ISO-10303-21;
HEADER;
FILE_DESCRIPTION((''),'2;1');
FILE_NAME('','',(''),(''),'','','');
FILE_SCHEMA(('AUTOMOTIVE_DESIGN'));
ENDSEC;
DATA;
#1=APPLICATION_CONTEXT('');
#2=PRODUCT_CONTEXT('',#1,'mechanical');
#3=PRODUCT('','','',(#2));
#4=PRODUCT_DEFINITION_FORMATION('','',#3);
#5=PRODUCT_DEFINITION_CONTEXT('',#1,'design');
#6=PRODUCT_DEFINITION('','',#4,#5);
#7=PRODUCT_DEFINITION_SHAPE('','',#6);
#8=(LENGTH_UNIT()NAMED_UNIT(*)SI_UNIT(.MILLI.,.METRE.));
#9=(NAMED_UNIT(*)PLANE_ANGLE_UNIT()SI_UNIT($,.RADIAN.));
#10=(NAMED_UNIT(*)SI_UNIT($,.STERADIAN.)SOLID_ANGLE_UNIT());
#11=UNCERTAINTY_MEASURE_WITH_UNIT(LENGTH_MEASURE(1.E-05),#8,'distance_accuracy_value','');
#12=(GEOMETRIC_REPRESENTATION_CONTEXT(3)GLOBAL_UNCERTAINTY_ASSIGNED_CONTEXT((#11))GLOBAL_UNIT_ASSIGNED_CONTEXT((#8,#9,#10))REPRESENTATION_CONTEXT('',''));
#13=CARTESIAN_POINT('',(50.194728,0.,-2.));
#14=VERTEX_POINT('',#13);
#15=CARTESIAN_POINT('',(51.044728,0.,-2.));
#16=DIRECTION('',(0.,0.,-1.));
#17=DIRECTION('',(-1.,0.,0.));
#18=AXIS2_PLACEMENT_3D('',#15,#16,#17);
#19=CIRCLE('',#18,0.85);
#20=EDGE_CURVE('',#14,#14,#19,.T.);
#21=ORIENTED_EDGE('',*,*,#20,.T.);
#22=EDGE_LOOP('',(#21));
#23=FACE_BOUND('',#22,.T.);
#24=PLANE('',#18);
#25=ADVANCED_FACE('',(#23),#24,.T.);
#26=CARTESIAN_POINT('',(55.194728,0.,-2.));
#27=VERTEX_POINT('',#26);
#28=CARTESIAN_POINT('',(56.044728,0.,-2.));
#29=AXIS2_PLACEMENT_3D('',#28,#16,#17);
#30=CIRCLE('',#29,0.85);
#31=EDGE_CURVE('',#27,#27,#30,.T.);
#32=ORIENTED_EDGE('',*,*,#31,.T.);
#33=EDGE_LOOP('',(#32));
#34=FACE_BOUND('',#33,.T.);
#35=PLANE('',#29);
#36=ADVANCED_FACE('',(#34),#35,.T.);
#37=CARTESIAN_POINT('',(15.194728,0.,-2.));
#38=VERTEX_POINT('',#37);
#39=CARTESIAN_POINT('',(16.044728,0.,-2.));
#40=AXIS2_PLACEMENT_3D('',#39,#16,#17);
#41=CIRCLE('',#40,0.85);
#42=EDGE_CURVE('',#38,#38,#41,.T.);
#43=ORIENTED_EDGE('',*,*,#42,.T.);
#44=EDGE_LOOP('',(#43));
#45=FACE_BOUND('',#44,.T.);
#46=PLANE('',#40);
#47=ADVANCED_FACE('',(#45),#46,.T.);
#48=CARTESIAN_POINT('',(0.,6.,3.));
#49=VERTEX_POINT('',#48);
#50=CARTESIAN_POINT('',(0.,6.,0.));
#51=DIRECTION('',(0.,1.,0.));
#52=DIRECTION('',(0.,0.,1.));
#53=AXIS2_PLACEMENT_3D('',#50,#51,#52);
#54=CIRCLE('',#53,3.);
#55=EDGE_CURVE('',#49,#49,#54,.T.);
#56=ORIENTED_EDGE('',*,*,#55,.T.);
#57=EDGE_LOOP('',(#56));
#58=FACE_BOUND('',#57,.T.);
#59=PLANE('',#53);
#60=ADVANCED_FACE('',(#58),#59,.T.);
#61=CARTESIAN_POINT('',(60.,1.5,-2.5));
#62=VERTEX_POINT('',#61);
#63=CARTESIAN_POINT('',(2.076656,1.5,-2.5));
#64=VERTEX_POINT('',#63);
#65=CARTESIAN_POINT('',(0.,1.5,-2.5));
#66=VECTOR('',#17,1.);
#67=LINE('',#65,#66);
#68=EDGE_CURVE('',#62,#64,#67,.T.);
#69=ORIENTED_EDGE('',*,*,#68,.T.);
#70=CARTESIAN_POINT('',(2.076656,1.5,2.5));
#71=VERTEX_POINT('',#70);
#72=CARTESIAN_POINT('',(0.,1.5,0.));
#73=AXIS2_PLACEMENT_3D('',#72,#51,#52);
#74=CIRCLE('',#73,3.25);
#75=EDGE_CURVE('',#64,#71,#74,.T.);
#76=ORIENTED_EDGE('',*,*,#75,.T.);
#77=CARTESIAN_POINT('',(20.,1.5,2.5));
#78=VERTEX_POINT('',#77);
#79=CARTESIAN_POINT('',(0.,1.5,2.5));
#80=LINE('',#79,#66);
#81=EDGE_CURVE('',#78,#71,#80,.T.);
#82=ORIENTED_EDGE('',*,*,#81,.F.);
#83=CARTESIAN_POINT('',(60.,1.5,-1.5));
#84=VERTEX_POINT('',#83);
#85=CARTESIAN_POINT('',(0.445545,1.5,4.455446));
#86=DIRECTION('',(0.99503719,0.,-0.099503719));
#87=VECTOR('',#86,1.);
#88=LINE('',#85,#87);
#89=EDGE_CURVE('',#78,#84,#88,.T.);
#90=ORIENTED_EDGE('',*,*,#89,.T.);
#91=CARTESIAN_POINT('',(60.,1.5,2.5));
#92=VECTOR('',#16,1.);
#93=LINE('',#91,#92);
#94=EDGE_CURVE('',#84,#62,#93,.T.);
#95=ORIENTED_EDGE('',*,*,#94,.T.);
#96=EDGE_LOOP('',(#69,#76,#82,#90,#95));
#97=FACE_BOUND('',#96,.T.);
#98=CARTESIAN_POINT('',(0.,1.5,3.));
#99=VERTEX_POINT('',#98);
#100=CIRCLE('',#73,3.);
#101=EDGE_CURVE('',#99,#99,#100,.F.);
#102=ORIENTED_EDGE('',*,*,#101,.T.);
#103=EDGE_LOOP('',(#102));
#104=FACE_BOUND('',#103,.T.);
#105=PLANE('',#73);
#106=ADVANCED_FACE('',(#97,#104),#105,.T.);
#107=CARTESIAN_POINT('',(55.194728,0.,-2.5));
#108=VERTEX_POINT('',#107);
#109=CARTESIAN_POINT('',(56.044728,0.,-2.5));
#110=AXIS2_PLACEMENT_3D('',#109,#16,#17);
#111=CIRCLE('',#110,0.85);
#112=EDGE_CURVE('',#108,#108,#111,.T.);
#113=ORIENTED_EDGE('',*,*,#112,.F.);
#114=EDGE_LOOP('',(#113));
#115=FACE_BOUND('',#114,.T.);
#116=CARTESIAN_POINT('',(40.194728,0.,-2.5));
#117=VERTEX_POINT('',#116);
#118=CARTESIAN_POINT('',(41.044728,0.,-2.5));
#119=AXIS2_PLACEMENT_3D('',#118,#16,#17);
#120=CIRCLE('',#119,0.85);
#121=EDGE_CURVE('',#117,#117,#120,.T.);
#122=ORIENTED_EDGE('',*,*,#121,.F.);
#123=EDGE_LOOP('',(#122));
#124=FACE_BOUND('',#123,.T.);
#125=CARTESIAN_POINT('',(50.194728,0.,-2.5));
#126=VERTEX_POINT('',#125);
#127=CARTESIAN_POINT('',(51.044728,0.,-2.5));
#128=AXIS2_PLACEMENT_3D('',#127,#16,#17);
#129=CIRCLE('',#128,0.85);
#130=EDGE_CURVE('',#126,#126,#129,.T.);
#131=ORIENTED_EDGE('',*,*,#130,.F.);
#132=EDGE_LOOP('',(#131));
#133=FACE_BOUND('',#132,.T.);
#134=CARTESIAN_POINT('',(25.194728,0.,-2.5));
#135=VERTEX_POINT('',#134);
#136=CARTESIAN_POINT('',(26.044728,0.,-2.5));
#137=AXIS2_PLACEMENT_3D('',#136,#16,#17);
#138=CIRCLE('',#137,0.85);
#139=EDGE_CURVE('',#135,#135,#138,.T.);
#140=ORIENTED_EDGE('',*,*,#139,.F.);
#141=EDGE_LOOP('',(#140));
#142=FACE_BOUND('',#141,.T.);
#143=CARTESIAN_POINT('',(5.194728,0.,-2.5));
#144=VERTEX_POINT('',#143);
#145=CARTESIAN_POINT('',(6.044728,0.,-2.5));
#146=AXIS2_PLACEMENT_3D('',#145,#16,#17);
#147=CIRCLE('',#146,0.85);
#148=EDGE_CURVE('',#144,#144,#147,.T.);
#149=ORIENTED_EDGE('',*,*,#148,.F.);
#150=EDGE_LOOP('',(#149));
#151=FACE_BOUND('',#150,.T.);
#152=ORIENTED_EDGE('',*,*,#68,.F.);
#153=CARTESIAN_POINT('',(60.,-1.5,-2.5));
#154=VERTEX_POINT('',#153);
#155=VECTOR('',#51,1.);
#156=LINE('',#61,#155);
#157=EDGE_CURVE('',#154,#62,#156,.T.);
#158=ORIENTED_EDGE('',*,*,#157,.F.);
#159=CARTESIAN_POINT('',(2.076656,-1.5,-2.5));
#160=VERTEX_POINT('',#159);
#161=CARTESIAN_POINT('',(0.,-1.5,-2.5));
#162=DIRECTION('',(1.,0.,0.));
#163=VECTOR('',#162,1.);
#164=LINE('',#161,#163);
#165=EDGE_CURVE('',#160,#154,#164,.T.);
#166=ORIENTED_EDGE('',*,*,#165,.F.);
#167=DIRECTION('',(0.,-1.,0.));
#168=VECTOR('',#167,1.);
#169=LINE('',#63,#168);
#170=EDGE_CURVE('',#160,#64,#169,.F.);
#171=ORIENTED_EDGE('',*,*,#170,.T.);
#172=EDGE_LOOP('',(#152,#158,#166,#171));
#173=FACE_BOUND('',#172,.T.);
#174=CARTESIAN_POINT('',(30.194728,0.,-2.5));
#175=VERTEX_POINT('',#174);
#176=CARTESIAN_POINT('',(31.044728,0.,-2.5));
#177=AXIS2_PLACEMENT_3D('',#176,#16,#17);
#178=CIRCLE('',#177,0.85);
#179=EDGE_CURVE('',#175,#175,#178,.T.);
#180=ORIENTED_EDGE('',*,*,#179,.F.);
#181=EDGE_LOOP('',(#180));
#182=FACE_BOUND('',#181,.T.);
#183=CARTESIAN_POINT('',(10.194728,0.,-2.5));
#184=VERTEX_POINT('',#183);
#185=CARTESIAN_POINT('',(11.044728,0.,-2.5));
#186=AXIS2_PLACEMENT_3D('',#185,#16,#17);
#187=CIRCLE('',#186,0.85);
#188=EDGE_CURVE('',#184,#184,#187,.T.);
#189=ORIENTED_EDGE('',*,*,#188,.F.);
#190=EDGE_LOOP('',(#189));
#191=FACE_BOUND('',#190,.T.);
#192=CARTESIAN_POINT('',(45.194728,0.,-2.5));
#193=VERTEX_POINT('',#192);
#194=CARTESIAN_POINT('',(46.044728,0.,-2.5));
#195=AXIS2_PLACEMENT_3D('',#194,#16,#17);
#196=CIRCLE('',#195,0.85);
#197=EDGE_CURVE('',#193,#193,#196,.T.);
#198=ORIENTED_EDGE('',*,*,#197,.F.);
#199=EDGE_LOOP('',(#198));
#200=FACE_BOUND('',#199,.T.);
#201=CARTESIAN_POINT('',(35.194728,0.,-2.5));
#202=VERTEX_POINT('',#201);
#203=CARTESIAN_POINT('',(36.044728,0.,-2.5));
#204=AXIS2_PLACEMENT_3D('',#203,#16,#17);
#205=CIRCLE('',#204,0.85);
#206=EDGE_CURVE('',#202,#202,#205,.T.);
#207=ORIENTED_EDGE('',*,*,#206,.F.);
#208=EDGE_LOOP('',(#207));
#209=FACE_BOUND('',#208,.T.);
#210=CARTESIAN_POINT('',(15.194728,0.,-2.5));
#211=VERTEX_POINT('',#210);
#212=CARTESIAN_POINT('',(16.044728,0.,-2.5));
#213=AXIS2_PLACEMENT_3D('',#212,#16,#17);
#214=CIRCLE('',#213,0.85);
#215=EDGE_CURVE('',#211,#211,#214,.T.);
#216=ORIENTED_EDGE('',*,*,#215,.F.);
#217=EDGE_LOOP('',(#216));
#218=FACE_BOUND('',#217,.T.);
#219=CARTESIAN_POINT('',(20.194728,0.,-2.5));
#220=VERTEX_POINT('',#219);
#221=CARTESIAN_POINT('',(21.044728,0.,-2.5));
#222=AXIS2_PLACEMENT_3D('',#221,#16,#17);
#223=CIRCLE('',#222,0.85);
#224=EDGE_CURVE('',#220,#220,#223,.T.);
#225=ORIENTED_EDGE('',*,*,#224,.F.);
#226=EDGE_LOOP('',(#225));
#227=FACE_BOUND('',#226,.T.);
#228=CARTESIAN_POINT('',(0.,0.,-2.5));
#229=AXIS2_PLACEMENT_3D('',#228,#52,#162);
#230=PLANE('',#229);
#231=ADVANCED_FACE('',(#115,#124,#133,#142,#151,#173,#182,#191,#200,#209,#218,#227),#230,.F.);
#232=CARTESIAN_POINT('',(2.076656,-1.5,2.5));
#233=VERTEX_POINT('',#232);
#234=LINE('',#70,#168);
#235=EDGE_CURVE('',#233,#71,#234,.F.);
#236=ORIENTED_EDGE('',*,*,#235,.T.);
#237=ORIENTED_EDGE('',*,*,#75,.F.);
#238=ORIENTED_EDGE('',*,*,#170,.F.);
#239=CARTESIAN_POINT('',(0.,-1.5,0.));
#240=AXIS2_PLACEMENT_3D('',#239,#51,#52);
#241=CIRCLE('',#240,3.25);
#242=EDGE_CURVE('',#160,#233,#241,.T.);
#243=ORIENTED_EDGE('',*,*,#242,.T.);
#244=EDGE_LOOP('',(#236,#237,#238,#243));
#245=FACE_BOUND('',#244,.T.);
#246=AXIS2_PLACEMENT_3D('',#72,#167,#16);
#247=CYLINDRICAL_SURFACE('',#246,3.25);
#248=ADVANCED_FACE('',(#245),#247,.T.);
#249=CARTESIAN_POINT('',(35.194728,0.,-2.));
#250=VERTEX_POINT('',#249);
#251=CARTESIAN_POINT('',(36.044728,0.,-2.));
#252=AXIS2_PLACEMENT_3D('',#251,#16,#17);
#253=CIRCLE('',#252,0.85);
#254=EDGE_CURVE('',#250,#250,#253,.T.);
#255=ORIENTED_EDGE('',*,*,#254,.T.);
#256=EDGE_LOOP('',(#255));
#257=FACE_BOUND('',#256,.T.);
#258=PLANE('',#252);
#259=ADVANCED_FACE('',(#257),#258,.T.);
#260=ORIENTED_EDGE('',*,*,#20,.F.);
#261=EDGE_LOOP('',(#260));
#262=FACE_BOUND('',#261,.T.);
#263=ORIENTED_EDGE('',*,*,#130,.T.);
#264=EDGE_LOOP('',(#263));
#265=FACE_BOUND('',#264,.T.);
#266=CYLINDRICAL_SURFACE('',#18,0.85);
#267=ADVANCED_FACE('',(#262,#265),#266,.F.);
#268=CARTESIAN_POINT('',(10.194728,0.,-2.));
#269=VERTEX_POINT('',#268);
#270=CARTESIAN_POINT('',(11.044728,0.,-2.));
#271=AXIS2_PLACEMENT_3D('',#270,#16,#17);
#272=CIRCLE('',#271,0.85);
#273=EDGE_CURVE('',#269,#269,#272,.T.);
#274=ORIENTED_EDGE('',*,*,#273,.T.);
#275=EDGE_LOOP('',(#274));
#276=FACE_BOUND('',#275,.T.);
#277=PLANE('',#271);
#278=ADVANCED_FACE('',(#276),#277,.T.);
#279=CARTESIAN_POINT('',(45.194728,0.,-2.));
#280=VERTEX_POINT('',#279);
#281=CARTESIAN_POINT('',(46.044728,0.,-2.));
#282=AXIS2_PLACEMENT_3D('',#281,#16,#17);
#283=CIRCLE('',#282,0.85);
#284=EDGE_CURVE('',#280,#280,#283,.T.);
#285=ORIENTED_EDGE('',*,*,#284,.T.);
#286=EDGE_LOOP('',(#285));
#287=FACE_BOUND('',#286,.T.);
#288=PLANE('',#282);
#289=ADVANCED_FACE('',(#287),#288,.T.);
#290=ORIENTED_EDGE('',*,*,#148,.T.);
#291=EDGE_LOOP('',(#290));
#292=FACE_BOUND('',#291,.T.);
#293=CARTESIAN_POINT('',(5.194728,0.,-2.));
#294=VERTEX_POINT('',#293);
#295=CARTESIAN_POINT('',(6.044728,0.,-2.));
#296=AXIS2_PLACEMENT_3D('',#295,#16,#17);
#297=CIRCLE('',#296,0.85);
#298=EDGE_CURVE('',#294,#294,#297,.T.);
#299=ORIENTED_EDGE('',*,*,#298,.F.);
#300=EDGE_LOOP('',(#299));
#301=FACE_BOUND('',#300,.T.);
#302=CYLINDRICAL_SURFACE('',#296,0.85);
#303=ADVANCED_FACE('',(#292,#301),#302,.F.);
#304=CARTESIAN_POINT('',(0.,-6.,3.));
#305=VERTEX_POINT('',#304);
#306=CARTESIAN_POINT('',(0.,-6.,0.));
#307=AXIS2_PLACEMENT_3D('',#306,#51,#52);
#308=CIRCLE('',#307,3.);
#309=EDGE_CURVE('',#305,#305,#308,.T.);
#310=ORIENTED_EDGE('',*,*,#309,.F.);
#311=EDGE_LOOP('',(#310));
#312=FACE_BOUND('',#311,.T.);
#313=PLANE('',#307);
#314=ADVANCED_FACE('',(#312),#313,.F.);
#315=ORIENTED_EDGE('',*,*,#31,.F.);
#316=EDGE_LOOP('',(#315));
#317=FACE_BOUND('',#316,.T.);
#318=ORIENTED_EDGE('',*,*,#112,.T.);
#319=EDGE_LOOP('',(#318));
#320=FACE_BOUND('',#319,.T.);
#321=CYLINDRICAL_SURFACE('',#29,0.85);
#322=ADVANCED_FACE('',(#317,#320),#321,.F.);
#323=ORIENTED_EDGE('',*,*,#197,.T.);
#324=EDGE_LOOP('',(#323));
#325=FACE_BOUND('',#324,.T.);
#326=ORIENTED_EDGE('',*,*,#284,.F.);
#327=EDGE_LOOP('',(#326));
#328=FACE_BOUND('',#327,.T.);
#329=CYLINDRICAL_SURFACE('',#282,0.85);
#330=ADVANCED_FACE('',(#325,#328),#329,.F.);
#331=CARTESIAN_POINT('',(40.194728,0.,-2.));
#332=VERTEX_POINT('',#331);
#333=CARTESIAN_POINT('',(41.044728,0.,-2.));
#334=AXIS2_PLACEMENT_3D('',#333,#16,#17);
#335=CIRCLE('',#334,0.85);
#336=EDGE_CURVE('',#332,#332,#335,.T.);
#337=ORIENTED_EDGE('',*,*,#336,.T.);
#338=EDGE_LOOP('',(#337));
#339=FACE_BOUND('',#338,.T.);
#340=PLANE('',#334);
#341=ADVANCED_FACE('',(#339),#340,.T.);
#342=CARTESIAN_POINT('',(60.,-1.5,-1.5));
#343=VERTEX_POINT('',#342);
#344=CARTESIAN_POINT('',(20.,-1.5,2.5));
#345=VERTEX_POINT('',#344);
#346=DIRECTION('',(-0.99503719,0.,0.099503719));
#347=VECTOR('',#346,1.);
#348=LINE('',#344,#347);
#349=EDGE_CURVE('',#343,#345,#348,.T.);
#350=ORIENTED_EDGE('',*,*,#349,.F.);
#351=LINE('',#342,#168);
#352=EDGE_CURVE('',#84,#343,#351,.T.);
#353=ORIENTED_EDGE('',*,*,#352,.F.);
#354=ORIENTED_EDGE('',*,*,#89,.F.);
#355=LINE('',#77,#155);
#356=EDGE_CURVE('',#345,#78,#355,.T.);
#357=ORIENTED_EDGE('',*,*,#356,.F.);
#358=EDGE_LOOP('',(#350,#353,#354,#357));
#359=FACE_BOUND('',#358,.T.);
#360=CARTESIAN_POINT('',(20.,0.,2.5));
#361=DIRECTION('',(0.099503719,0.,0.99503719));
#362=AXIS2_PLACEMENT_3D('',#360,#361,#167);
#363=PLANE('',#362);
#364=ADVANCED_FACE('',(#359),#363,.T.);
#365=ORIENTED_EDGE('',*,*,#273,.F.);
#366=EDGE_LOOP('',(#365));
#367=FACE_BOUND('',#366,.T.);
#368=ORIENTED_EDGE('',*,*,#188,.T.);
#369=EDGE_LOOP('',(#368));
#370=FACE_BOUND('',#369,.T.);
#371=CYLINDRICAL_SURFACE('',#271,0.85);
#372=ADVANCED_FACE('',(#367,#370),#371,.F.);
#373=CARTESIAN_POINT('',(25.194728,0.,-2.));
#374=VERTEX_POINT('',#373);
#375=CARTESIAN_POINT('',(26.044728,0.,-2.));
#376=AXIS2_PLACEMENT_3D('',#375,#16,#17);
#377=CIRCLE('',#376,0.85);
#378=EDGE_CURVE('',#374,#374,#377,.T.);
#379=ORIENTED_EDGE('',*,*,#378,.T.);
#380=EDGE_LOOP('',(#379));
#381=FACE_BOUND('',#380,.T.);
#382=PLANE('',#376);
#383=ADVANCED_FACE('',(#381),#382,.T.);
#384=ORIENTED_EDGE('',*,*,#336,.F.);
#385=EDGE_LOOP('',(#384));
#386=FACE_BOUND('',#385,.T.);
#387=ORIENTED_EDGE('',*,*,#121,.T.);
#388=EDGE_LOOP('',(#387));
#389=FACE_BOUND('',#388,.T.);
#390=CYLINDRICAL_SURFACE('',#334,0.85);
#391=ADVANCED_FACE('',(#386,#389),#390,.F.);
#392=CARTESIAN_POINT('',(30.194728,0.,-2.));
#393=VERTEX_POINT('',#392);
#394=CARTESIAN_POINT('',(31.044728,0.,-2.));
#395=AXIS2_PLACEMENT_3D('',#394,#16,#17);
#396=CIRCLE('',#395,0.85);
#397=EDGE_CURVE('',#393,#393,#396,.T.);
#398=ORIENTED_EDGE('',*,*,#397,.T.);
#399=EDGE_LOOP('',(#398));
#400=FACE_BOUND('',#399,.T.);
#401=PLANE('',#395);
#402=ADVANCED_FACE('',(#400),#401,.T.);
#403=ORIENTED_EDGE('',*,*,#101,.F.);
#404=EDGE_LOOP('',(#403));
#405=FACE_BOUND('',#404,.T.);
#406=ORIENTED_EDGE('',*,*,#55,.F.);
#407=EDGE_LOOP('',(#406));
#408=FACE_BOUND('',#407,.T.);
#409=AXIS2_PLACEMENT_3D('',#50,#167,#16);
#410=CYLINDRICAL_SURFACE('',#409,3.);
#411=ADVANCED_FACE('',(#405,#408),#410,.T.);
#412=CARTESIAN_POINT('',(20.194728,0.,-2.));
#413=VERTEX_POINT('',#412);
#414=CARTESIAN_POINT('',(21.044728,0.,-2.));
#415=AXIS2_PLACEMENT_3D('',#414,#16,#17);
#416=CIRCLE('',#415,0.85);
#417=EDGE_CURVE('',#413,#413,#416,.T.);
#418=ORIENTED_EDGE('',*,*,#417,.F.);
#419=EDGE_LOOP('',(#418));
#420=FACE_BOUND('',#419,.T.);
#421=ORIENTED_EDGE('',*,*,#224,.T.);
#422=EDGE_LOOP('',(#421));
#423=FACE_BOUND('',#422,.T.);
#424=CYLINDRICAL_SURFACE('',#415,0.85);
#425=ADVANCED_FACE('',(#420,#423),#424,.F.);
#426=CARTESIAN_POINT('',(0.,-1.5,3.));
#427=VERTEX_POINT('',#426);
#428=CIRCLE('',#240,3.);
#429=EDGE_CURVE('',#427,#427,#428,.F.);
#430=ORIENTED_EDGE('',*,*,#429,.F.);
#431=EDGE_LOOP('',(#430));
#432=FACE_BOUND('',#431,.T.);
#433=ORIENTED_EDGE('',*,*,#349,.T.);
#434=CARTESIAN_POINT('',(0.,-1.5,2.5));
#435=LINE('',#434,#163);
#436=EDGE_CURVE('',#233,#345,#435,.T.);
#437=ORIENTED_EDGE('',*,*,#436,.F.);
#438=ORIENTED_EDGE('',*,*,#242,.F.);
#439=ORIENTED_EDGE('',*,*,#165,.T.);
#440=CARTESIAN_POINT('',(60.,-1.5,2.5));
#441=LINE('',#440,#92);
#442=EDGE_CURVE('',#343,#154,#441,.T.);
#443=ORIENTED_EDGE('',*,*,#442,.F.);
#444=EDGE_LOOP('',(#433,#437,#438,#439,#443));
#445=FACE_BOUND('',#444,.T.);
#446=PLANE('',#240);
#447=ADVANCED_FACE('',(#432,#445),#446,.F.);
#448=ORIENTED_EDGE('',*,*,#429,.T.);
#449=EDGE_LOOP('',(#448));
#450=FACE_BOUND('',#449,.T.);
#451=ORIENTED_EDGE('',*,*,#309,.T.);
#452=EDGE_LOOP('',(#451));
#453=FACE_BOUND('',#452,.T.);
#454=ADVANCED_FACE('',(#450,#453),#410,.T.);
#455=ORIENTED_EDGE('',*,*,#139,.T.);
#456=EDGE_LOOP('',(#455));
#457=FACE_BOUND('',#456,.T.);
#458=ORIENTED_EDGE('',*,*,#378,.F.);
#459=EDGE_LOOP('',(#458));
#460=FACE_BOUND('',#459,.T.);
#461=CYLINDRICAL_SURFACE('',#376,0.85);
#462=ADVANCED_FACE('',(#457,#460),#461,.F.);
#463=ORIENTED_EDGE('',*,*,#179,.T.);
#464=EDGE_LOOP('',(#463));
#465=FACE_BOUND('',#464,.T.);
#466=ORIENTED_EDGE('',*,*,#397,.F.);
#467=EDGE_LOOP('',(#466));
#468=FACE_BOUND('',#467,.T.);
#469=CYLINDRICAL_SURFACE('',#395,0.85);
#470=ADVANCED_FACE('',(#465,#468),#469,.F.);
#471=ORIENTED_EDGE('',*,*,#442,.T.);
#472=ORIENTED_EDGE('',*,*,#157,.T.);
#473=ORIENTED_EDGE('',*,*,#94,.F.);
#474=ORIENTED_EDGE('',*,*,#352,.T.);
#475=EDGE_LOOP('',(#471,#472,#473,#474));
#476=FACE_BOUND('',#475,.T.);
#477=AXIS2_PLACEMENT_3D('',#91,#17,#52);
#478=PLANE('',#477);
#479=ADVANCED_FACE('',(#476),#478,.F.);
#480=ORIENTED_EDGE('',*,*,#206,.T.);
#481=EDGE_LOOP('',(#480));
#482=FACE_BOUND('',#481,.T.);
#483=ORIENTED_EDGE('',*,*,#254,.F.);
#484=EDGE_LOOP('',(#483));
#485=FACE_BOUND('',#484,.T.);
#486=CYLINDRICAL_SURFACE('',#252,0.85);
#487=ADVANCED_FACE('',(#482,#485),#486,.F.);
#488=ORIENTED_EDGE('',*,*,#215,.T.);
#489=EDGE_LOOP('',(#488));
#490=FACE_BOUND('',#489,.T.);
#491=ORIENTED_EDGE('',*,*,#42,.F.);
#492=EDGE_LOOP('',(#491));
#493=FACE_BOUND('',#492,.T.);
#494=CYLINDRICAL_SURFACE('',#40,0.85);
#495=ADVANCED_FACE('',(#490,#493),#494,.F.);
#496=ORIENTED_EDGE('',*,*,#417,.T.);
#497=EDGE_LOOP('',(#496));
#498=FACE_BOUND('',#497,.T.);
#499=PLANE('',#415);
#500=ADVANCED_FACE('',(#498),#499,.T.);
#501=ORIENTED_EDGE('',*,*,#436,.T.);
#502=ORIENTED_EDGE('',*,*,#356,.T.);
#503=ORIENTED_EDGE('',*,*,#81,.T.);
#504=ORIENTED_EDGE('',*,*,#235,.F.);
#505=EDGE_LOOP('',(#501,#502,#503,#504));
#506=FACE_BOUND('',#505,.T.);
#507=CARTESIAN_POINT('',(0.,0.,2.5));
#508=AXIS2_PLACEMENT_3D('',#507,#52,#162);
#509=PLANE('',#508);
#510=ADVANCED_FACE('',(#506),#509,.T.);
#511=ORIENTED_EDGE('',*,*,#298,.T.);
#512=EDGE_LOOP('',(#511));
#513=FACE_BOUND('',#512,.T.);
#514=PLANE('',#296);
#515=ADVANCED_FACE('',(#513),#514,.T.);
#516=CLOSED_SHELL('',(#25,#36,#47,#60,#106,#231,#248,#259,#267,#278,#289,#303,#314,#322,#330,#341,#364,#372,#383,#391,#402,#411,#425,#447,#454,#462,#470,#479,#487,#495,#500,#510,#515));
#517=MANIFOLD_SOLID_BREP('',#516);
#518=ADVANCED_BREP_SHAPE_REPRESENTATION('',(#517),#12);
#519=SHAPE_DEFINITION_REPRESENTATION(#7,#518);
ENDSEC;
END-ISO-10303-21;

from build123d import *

# Parameters (mm, degrees)
SKETCH1_R           = 3.25
BOSS_EXTRUDE1_DEPTH = 1.5
SKETCH2_R           = 3
BOSS_EXTRUDE2_DEPTH = 6
SKETCH3_W           = 60
SKETCH3_H           = 3
BOSS_EXTRUDE3_DEPTH = 2.5
CHAMFER1_SIZE       = 4
CHAMFER1_SIZE2      = 40
SKETCH4_R           = 0.85
CUT_EXTRUDE1_DEPTH  = 0.5


with BuildPart() as part:
    # Sketch1 → Boss-Extrude1 (new body, symmetric)
    with BuildSketch(Plane(origin=(0, 0, 0), x_dir=(1, 0, 0), z_dir=(0, 1, 0))):
        Circle(SKETCH1_R)
    extrude(amount=BOSS_EXTRUDE1_DEPTH, both=True)

    # Sketch2 → Boss-Extrude2 (add, symmetric)
    with BuildSketch(Plane(origin=(0, 0, 0), x_dir=(1, 0, 0), z_dir=(0, 1, 0))):
        Circle(SKETCH2_R)
    extrude(amount=BOSS_EXTRUDE2_DEPTH, both=True)

    # Sketch3 → Boss-Extrude3 (add, symmetric)
    with BuildSketch(Plane.XY):
        with Locations((30, 0)):
            Rectangle(SKETCH3_W, SKETCH3_H)
    extrude(amount=BOSS_EXTRUDE3_DEPTH, both=True)

    # Chamfer1
    chamfer1_edges = [part.edges().sort_by_distance(p)[0] for p in [
        (60, 0, 2.5),
    ]]
    chamfer1_side = [part.faces().sort_by_distance(p)[0] for p in [
        (60, 0, 0),
    ]]
    chamfer(chamfer1_edges, length=CHAMFER1_SIZE, length2=CHAMFER1_SIZE2, reference=chamfer1_side[0])

    # Sketch4 → Cut-Extrude1 (cut)
    with BuildSketch(Plane(origin=(0, 0, -2.5), x_dir=(-1, 0, 0), z_dir=(0, 0, -1))):
        with Locations((-6.044728096, 0)):
            Circle(SKETCH4_R)
        with Locations((-11.044728096, 0)):
            Circle(SKETCH4_R)
        with Locations((-16.044728096, 0)):
            Circle(SKETCH4_R)
        with Locations((-21.044728096, 0)):
            Circle(SKETCH4_R)
        with Locations((-26.044728096, 0)):
            Circle(SKETCH4_R)
        with Locations((-31.044728096, 0)):
            Circle(SKETCH4_R)
        with Locations((-36.044728096, 0)):
            Circle(SKETCH4_R)
        with Locations((-41.044728096, 0)):
            Circle(SKETCH4_R)
        with Locations((-46.044728096, 0)):
            Circle(SKETCH4_R)
        with Locations((-51.044728096, 0)):
            Circle(SKETCH4_R)
        with Locations((-56.044728096, 0)):
            Circle(SKETCH4_R)
    extrude(amount=-CUT_EXTRUDE1_DEPTH, mode=Mode.SUBTRACT)


solid = part.part
